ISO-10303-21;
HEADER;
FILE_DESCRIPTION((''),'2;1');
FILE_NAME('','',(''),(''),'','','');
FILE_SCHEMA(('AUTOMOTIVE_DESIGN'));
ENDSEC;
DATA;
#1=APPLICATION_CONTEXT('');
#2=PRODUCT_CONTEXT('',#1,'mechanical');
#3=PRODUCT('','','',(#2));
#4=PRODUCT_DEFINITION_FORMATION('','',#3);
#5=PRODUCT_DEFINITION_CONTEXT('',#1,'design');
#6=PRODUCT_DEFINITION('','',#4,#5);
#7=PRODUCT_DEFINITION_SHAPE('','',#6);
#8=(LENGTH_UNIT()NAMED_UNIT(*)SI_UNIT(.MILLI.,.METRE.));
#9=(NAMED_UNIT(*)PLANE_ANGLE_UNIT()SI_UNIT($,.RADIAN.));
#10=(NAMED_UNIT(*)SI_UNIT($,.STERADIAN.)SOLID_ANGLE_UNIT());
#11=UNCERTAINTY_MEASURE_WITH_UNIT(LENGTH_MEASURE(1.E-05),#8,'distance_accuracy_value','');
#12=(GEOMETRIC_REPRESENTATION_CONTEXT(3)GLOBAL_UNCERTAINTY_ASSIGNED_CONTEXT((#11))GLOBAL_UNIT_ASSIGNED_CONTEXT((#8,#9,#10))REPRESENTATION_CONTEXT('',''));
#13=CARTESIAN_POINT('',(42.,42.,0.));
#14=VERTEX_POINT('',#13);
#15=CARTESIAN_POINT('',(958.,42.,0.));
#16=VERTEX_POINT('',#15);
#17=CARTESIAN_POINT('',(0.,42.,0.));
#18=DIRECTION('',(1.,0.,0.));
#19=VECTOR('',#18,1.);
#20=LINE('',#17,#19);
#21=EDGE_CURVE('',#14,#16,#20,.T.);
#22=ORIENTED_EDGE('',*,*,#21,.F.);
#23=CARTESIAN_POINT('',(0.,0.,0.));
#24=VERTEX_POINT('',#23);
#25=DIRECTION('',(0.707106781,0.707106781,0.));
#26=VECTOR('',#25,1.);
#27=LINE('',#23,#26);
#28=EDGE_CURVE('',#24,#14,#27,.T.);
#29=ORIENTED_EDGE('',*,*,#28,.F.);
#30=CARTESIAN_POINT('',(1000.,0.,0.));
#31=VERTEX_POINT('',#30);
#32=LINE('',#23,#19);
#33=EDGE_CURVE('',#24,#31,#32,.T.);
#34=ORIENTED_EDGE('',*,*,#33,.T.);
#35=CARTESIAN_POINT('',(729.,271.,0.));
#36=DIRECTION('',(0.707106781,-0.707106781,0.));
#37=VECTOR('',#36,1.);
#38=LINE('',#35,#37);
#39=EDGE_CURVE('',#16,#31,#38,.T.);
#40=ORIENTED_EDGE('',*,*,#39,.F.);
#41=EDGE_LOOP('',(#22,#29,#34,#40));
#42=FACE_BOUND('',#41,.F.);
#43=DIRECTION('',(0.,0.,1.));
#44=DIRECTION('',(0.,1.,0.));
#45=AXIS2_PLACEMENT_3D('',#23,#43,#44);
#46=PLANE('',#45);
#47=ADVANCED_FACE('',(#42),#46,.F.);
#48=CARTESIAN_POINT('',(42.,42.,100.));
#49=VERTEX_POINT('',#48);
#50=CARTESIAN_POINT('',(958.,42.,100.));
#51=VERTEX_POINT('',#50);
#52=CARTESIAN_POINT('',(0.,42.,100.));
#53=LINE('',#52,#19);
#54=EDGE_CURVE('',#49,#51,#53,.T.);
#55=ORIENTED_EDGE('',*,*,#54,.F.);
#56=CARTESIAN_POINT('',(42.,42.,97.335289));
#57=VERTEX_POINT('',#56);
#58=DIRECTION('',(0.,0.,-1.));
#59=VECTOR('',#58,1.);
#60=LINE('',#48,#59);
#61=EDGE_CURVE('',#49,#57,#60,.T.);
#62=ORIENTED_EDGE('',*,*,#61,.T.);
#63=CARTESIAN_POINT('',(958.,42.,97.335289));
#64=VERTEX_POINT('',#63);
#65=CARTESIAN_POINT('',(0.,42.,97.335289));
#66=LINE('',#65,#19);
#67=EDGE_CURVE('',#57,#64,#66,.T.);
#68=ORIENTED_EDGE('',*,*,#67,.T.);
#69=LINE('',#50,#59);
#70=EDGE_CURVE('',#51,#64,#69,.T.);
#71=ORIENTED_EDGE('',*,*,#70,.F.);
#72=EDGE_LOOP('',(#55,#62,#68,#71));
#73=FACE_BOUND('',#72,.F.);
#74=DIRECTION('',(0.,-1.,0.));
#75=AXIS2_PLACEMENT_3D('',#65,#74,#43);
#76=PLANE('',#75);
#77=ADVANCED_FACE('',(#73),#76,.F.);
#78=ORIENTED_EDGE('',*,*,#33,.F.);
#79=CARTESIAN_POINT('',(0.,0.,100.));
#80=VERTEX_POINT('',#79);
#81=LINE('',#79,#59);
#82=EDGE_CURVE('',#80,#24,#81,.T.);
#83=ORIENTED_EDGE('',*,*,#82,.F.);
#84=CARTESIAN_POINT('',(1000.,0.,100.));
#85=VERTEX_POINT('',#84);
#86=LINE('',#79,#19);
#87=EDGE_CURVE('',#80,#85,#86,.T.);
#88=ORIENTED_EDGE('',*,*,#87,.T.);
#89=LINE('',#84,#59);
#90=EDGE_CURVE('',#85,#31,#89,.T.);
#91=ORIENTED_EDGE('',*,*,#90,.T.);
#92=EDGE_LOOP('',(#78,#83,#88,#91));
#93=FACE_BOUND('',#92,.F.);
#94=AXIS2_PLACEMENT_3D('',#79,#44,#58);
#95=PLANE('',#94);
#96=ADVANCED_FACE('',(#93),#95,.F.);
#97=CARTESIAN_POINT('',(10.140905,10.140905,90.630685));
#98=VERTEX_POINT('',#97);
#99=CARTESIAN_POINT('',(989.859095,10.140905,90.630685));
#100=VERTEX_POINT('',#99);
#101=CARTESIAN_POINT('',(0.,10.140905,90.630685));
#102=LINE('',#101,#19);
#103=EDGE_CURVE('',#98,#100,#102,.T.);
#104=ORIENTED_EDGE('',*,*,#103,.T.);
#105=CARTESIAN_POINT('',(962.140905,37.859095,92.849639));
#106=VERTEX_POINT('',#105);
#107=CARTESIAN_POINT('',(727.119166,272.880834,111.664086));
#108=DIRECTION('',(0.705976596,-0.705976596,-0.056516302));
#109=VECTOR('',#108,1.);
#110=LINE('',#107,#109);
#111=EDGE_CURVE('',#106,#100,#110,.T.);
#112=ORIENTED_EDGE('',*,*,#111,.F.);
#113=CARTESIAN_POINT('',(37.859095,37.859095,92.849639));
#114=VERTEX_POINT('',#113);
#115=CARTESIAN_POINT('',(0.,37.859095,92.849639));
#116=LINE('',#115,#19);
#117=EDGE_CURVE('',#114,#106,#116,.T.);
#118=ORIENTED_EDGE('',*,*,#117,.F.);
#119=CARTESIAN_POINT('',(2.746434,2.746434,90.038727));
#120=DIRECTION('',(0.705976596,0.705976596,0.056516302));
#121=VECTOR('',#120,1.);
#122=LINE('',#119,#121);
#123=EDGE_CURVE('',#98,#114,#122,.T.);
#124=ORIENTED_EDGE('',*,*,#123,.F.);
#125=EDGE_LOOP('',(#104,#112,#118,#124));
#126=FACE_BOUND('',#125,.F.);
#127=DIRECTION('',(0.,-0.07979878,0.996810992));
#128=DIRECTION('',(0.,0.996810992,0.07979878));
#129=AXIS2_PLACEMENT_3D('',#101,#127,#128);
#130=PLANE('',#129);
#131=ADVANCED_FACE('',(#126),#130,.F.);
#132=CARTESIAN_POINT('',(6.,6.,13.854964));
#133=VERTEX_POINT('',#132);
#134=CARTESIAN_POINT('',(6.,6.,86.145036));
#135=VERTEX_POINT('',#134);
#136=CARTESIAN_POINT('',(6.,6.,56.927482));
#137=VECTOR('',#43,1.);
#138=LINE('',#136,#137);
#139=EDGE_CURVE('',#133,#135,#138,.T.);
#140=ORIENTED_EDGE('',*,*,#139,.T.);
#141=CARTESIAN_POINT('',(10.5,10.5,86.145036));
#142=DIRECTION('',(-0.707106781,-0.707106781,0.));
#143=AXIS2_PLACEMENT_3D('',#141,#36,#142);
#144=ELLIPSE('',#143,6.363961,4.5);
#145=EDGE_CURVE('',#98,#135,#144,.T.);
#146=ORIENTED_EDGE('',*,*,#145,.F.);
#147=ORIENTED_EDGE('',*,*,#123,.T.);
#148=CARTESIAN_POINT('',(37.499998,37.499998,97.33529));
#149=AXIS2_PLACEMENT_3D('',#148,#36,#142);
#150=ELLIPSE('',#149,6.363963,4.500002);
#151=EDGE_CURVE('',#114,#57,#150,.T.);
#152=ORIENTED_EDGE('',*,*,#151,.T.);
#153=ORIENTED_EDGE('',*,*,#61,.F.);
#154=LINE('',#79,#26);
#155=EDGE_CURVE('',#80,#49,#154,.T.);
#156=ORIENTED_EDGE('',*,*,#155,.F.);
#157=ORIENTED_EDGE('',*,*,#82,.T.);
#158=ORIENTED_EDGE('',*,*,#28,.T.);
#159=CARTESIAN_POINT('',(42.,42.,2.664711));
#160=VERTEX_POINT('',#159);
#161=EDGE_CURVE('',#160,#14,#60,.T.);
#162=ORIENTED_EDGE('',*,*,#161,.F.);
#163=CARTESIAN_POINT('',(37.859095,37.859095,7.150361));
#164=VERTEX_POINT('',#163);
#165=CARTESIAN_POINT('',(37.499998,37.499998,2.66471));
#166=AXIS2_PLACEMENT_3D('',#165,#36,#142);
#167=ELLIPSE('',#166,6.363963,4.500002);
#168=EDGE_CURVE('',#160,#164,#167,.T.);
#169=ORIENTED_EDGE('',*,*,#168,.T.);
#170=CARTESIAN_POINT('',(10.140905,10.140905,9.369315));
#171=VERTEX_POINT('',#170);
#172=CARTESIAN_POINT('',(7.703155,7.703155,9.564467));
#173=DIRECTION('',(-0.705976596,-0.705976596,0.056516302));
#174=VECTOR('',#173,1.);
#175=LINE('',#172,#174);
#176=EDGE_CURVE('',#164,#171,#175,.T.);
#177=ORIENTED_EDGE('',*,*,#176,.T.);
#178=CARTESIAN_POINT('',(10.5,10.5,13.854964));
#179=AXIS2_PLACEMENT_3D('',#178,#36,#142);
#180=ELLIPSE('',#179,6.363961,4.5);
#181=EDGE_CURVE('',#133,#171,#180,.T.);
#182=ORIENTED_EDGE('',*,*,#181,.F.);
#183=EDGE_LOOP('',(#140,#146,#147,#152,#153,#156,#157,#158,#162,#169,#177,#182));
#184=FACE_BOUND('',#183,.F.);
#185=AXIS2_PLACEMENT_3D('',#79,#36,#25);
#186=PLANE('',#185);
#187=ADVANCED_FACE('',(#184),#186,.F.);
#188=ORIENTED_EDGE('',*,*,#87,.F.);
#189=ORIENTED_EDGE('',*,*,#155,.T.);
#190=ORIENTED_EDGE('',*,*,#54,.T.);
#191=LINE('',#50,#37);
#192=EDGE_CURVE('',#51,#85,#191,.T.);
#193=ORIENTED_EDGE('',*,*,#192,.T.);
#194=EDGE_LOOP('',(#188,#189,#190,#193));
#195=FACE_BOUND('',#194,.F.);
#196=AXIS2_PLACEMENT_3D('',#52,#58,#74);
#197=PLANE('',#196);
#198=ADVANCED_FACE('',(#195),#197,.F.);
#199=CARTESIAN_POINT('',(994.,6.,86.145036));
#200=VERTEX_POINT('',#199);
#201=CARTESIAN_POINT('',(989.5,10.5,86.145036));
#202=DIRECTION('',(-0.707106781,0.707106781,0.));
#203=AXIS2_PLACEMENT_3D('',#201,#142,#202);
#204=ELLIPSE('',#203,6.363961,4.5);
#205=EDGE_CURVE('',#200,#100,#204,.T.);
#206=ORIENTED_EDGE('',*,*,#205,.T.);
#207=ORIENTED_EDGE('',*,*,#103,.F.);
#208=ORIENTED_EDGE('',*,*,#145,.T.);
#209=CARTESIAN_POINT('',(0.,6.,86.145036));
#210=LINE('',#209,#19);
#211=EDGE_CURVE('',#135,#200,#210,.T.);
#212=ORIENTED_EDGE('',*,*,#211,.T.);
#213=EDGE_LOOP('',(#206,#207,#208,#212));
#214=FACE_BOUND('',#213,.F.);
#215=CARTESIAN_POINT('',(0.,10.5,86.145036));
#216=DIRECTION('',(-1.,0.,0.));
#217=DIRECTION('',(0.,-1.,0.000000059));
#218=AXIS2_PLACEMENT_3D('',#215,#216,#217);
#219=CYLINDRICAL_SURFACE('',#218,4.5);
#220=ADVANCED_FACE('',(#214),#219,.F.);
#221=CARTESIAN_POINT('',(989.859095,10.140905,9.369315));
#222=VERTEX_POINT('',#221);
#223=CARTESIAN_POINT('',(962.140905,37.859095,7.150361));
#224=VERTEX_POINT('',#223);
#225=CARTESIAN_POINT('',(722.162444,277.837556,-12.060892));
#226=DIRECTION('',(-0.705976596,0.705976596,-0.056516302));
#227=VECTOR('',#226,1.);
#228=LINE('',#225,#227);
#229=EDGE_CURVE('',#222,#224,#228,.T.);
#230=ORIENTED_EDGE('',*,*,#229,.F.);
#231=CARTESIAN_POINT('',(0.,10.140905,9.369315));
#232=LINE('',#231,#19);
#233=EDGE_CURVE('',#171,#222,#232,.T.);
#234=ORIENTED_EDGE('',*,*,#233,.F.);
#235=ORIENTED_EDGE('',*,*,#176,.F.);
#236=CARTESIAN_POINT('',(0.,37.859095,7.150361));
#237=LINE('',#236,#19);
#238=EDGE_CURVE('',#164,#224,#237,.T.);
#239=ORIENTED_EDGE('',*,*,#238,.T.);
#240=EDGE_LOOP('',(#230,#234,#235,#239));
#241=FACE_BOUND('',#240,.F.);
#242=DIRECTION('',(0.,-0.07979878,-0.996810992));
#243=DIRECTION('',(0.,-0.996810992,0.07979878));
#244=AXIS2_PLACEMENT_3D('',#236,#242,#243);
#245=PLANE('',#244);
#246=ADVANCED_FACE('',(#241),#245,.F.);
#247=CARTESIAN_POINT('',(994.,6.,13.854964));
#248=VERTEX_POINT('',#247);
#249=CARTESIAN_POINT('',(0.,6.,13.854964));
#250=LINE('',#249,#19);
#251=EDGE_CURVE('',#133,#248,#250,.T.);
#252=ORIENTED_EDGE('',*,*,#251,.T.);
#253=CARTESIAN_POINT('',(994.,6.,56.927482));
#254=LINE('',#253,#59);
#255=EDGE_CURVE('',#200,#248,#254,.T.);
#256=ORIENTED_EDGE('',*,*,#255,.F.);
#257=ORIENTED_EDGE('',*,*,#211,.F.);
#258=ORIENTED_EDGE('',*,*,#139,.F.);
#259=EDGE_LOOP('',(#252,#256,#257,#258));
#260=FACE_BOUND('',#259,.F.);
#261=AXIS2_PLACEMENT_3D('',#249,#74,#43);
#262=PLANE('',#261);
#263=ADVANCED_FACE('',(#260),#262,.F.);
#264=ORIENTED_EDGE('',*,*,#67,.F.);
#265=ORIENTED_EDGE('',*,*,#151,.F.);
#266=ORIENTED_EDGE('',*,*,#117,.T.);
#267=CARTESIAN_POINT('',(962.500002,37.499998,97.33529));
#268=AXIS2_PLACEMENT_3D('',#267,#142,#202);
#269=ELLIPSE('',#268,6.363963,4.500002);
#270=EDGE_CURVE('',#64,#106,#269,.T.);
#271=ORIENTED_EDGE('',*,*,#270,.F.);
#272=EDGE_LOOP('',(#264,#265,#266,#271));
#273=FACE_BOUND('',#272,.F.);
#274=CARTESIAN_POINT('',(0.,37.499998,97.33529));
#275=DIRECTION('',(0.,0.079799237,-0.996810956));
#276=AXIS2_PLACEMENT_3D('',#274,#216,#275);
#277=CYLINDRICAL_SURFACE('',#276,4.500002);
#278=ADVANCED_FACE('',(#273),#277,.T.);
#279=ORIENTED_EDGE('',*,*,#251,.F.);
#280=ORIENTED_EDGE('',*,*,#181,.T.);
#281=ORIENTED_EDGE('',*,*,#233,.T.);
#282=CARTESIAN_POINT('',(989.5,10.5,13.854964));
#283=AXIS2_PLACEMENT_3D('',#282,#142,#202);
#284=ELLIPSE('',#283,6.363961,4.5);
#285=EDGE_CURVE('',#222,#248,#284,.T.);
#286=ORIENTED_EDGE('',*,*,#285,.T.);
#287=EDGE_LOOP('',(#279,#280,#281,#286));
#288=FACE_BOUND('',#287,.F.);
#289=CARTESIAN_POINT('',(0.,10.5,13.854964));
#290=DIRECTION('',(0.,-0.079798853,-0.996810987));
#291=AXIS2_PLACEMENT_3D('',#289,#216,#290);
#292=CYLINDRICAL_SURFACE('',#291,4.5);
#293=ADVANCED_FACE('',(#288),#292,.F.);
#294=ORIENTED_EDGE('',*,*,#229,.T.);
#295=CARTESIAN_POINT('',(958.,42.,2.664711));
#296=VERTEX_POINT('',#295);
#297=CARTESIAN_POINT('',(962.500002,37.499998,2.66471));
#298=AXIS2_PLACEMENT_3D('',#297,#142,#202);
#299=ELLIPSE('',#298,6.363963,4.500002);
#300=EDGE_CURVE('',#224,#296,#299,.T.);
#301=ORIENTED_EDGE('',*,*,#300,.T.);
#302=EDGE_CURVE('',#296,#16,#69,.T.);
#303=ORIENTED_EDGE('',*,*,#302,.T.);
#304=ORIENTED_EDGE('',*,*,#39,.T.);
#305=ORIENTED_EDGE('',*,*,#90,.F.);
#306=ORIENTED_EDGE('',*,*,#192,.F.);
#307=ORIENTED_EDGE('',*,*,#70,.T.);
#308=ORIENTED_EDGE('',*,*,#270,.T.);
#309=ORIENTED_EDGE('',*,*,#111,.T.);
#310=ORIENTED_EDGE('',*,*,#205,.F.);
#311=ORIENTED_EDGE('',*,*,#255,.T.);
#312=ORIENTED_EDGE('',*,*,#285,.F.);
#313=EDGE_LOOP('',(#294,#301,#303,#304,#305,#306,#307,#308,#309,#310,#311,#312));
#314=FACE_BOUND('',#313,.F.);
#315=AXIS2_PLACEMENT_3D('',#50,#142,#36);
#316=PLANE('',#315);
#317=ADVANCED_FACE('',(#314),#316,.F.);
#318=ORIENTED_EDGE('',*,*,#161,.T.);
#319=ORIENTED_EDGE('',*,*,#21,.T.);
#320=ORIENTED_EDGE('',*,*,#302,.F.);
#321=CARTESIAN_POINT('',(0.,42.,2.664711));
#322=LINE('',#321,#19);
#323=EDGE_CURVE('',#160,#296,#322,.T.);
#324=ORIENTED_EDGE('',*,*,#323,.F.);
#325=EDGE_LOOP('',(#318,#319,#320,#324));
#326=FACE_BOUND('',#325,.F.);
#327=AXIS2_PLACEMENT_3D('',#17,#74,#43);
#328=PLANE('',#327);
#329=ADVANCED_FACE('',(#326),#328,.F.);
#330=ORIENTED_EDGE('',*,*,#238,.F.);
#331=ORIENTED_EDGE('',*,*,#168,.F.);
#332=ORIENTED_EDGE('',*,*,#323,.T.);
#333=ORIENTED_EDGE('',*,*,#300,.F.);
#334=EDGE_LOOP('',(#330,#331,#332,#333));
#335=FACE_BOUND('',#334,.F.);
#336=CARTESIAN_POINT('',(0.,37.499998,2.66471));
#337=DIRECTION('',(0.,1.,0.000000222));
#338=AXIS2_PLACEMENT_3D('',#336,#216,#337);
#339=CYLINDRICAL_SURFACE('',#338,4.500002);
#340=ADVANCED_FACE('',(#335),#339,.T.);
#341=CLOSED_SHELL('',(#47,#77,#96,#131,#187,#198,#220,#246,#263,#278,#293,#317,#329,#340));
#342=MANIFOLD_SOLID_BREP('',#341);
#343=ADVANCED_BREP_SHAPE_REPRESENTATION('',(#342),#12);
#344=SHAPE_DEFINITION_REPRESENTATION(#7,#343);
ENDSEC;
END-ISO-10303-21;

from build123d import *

# Parameters (mm, degrees)
F1_DEPTH = 1000
F3_DEPTH = 100.001
F5_DEPTH = 100.001


with BuildPart() as f1:
    # F0 (on Right) → F1 (new body)
    with BuildSketch(Plane.YZ):
        with BuildLine():
            Line((0, 100), (0, 0))
            Line((0, 0), (42, 0))
            Line((42, 0), (42, 2.664711))
            ThreePointArc((42, 2.664711), (40.806503, 5.717093), (37.859095, 7.150361))
            Line((37.859095, 7.150361), (10.140905, 9.369315))
            ThreePointArc((10.140905, 9.369315), (7.193497, 10.802582), (6, 13.854964))
            Line((6, 13.854964), (6, 86.145036))
            ThreePointArc((6, 86.145036), (7.193497, 89.197418), (10.140905, 90.630685))
            Line((10.140905, 90.630685), (37.859095, 92.849639))
            ThreePointArc((37.859095, 92.849639), (40.806503, 94.282907), (42, 97.335289))
            Line((42, 97.335289), (42, 100))
            Line((42, 100), (0, 100))
        make_face()
    extrude(amount=F1_DEPTH)

    # F2 (on face) → F3 (cut, through all)
    with BuildSketch(Plane.XY.offset(100)):
        Polygon((958, 42), (1000, 0), (1000, 42), align=None)
    extrude(amount=-F3_DEPTH, mode=Mode.SUBTRACT)

    # F4 (on face) → F5 (cut, through all)
    with BuildSketch(Plane.XY.offset(100)):
        Polygon((0, 42), (0, 0), (42, 42), align=None)
    extrude(amount=-F5_DEPTH, mode=Mode.SUBTRACT)


solid = f1.part
